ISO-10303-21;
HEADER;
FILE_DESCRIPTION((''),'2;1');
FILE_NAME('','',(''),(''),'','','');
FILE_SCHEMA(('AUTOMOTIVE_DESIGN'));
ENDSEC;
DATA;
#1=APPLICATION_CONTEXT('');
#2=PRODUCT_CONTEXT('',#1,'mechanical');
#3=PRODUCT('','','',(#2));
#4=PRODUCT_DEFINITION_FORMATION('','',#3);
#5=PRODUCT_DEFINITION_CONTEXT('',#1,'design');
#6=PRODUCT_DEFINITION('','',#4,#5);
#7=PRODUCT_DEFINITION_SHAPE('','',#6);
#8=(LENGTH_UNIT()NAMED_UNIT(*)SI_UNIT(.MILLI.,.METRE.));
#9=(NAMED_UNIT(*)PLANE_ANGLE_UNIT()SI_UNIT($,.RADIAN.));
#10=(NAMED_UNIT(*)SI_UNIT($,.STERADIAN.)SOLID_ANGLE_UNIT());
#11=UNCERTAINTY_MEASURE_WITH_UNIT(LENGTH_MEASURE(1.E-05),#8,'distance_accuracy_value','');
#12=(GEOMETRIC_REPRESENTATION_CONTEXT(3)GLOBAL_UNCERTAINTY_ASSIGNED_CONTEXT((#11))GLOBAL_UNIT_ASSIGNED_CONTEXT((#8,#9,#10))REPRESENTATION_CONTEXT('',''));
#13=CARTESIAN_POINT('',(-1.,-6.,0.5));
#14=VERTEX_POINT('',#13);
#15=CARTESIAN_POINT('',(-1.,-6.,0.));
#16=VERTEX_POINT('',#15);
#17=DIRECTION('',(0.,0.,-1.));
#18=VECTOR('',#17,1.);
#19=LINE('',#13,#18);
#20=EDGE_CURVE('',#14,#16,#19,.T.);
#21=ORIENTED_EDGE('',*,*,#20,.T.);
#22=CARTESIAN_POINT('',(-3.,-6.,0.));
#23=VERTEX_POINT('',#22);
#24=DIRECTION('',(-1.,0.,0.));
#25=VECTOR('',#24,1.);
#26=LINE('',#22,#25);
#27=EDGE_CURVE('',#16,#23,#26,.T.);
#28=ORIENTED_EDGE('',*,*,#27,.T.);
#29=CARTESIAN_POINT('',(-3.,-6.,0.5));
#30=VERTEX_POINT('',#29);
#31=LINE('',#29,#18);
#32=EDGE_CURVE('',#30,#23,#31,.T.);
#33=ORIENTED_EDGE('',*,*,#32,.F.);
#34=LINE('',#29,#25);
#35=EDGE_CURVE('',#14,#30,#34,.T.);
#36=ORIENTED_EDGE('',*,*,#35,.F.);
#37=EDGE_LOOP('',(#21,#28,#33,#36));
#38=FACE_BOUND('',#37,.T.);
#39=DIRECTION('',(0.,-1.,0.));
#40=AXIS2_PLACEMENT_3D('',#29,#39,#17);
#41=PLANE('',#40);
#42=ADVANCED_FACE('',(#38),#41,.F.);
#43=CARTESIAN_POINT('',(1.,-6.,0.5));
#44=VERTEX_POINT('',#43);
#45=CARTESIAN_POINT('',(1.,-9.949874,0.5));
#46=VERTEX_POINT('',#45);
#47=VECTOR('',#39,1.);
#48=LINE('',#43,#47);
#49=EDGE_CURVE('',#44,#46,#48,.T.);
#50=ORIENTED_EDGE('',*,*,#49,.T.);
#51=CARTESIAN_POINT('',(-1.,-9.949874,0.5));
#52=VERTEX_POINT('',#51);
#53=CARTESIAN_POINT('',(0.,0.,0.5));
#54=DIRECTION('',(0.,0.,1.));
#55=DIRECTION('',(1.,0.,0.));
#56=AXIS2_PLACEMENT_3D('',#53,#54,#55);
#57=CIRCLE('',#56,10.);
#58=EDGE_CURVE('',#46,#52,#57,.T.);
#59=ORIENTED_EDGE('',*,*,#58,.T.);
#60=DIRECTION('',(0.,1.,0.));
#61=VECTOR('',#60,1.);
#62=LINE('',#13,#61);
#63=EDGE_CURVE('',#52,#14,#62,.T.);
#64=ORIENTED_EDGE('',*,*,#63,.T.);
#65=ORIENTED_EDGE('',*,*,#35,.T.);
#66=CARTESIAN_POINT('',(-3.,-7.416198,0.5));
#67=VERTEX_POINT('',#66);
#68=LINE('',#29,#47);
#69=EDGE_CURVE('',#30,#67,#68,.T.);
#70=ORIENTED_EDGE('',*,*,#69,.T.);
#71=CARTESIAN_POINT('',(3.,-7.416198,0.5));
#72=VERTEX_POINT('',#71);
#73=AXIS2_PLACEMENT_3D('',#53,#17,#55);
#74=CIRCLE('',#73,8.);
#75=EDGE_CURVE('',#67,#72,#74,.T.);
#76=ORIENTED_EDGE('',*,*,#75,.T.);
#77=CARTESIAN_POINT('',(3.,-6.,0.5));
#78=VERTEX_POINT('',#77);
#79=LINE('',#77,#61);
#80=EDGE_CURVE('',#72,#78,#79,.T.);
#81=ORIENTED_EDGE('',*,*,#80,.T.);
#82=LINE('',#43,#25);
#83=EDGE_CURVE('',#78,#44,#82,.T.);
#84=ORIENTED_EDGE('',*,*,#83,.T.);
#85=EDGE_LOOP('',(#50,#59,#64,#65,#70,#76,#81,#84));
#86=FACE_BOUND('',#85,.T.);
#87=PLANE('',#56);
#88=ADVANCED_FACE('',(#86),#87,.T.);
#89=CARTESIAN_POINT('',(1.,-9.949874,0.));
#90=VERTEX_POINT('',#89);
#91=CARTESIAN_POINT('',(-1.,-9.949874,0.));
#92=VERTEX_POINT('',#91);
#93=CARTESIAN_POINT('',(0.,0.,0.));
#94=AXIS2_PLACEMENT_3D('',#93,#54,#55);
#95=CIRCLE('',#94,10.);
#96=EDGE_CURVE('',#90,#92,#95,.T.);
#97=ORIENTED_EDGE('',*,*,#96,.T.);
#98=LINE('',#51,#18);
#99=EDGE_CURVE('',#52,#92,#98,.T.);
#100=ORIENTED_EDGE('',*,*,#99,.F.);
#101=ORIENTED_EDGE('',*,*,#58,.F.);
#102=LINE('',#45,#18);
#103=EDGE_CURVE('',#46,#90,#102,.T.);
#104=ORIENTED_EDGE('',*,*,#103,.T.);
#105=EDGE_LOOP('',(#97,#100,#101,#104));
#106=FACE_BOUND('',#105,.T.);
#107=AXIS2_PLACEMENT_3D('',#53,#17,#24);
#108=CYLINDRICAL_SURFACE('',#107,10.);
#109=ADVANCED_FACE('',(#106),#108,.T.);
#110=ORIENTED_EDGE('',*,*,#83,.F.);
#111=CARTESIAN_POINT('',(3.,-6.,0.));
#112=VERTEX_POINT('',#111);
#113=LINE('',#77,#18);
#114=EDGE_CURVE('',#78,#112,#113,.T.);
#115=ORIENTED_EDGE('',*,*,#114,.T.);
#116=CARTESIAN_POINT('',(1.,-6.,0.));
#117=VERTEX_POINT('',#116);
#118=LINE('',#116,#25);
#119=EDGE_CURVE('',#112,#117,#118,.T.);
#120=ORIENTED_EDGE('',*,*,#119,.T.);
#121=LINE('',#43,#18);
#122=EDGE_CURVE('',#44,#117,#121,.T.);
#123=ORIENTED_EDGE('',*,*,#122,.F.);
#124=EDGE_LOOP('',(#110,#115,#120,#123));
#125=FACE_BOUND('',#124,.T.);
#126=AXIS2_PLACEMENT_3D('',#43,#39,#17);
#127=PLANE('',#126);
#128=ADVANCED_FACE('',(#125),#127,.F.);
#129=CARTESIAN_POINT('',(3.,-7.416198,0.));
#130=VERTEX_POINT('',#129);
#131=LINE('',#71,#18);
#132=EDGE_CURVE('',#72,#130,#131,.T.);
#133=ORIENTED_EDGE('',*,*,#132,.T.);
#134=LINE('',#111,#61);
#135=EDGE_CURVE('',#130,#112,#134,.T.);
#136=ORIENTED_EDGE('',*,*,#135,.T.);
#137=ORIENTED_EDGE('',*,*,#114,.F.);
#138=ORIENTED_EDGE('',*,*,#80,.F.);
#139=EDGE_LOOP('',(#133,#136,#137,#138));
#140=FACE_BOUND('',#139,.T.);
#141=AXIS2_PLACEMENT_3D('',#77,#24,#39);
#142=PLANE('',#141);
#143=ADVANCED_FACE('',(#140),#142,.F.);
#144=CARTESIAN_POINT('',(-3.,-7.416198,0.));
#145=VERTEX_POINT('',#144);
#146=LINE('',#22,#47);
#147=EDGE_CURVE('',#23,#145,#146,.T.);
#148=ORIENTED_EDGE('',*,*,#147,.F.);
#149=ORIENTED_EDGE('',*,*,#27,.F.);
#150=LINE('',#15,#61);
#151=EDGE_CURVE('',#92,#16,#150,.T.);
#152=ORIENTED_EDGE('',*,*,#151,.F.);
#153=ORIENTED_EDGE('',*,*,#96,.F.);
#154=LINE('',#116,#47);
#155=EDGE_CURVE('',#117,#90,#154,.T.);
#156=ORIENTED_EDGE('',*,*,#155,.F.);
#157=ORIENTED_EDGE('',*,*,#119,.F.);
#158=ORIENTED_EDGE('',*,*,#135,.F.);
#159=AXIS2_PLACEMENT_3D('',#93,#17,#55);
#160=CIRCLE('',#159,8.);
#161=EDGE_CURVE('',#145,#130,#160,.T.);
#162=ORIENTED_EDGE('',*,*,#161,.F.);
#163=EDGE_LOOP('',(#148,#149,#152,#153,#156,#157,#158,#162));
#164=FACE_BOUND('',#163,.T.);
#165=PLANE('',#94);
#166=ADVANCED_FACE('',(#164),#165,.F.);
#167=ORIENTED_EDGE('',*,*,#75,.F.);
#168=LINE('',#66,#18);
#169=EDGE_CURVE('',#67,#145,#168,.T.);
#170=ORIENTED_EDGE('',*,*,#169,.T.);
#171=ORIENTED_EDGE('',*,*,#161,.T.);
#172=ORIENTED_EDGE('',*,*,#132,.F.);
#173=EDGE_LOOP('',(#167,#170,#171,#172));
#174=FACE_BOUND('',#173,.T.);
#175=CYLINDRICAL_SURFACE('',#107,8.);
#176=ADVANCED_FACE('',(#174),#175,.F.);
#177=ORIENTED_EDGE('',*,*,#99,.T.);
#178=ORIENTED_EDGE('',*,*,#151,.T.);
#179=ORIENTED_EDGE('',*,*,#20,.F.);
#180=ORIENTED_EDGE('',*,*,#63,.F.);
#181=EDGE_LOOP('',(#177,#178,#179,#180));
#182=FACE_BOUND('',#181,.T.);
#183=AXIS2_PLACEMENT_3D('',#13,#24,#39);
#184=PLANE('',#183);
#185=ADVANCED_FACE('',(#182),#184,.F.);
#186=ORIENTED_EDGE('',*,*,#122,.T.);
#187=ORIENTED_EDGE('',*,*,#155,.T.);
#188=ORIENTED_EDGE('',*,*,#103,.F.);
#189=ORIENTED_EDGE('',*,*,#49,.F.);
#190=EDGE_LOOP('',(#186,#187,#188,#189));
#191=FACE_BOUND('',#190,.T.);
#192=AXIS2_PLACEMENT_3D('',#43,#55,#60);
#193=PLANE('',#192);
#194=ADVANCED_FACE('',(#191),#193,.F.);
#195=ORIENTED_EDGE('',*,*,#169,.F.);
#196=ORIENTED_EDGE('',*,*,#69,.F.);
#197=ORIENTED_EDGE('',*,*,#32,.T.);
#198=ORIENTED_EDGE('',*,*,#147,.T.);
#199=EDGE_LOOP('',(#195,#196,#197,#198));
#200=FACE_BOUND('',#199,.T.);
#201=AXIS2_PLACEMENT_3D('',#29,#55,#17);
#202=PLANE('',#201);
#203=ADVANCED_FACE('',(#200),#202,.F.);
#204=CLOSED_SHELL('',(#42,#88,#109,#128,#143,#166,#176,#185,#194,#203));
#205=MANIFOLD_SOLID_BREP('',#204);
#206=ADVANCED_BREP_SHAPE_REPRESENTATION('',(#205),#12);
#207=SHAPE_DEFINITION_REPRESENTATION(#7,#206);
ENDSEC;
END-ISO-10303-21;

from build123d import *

# Parameters (mm, degrees)
EXTRUDE_1_DEPTH = 0.5


with BuildPart() as part:
    # 草图1 → 拉伸1 (new body)
    with BuildSketch(Plane.XY):
        with BuildLine():
            Line((-1, -6), (-1, -9.949874371))
            ThreePointArc((-1, -9.949874371), (0, 10), (1, -9.949874371))
            Line((1, -9.949874371), (1, -6))
            Line((1, -6), (3, -6))
            Line((3, -6), (3, -7.416198487))
            ThreePointArc((3, -7.416198487), (0, 8), (-3, -7.416198487))
            Line((-3, -7.416198487), (-3, -6))
            Line((-3, -6), (-1, -6))
        make_face()
    extrude(amount=EXTRUDE_1_DEPTH)


solid = part.part
